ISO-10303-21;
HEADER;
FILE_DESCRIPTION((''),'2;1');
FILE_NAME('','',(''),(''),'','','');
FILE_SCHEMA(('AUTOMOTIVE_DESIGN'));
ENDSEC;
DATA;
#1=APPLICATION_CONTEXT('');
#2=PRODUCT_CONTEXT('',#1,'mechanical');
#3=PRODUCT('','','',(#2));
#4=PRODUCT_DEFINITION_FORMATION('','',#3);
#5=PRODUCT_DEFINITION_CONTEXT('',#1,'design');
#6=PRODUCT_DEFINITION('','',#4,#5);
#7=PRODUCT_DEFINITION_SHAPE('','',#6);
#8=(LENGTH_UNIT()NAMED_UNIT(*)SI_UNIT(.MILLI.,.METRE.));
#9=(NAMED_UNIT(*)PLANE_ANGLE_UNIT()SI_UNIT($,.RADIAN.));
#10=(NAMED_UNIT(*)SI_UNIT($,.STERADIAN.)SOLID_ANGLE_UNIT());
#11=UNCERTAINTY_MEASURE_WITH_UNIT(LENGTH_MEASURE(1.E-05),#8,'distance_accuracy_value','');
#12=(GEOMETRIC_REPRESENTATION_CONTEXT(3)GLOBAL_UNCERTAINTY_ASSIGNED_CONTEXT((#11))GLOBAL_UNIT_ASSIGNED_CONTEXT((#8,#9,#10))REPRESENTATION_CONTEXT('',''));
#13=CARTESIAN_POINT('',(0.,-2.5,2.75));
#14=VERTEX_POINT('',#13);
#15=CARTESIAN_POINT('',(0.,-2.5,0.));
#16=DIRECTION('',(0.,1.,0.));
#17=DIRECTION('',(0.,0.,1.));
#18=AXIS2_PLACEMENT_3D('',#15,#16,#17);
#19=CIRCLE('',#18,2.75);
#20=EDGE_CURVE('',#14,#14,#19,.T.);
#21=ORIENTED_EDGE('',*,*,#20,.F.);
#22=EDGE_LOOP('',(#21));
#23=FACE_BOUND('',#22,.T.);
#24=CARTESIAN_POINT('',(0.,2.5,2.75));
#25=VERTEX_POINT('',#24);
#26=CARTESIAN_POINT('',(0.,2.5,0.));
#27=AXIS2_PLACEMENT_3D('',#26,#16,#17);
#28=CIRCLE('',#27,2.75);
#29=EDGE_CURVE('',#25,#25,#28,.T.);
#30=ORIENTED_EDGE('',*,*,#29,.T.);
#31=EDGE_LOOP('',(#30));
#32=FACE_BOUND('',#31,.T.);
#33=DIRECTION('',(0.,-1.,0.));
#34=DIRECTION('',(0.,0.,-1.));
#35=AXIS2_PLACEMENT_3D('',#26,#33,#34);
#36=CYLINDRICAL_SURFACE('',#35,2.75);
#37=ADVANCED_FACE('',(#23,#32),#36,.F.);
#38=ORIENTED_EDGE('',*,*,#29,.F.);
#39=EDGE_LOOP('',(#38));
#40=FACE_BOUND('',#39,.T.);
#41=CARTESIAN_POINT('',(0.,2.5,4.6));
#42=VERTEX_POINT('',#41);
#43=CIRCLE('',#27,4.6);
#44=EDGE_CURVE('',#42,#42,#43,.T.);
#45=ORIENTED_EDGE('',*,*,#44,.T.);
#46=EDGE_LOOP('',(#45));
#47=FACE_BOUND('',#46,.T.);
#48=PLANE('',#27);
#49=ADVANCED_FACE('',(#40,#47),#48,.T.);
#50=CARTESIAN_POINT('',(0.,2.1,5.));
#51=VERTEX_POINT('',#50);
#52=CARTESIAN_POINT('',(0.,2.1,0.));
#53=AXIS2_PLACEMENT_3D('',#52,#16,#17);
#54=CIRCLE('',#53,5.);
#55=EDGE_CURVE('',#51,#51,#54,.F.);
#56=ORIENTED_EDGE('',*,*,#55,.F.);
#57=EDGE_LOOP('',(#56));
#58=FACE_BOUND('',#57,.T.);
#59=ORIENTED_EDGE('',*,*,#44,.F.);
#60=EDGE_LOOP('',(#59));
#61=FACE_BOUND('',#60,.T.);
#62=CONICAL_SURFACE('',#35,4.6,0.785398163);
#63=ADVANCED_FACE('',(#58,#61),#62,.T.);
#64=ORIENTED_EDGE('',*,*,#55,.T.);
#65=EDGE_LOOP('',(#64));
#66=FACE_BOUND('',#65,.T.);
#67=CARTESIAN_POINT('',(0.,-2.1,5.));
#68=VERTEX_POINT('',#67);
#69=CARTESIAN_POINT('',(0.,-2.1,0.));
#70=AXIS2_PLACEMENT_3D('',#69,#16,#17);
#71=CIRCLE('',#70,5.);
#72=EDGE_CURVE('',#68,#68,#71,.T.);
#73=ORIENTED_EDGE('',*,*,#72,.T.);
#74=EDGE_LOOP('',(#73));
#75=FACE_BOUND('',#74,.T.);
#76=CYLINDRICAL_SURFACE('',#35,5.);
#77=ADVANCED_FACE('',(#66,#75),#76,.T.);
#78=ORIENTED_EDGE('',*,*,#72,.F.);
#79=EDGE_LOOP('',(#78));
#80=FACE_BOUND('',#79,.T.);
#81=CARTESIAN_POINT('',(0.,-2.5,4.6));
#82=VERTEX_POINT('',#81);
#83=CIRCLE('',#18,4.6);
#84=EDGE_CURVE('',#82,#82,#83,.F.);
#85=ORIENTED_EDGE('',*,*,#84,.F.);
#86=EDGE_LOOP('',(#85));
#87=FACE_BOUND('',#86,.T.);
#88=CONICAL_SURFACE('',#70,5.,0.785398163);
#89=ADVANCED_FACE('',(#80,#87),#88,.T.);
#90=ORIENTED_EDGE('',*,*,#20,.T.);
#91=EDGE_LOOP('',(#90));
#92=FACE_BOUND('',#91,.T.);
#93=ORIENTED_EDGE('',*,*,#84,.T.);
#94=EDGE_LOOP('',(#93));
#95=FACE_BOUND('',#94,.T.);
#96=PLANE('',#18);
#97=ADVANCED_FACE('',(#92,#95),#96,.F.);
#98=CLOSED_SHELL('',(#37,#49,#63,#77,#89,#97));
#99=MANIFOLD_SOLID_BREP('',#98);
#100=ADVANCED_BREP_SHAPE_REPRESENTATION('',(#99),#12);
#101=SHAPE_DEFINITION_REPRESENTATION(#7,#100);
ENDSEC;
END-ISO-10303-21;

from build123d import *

# Parameters (mm, degrees)
SKETCH1_R           = 5
SKETCH1_R_2         = 2.75
BOSS_EXTRUDE1_DEPTH = 2.5
CHAMFER1_SIZE       = 0.4


with BuildPart() as part:
    # Sketch1 → Boss-Extrude1 (new body, symmetric)
    with BuildSketch(Plane(origin=(0, 0, 0), x_dir=(1, 0, 0), z_dir=(0, 1, 0))):
        Circle(SKETCH1_R)
        Circle(SKETCH1_R_2, mode=Mode.SUBTRACT)
    extrude(amount=BOSS_EXTRUDE1_DEPTH, both=True)

    # Chamfer1
    chamfer1_edges = [part.edges().sort_by_distance(p)[0] for p in [
        (-5, -2.5, 0),
        (-5, 2.5, 0),
    ]]
    chamfer(chamfer1_edges, length=CHAMFER1_SIZE)


solid = part.part
